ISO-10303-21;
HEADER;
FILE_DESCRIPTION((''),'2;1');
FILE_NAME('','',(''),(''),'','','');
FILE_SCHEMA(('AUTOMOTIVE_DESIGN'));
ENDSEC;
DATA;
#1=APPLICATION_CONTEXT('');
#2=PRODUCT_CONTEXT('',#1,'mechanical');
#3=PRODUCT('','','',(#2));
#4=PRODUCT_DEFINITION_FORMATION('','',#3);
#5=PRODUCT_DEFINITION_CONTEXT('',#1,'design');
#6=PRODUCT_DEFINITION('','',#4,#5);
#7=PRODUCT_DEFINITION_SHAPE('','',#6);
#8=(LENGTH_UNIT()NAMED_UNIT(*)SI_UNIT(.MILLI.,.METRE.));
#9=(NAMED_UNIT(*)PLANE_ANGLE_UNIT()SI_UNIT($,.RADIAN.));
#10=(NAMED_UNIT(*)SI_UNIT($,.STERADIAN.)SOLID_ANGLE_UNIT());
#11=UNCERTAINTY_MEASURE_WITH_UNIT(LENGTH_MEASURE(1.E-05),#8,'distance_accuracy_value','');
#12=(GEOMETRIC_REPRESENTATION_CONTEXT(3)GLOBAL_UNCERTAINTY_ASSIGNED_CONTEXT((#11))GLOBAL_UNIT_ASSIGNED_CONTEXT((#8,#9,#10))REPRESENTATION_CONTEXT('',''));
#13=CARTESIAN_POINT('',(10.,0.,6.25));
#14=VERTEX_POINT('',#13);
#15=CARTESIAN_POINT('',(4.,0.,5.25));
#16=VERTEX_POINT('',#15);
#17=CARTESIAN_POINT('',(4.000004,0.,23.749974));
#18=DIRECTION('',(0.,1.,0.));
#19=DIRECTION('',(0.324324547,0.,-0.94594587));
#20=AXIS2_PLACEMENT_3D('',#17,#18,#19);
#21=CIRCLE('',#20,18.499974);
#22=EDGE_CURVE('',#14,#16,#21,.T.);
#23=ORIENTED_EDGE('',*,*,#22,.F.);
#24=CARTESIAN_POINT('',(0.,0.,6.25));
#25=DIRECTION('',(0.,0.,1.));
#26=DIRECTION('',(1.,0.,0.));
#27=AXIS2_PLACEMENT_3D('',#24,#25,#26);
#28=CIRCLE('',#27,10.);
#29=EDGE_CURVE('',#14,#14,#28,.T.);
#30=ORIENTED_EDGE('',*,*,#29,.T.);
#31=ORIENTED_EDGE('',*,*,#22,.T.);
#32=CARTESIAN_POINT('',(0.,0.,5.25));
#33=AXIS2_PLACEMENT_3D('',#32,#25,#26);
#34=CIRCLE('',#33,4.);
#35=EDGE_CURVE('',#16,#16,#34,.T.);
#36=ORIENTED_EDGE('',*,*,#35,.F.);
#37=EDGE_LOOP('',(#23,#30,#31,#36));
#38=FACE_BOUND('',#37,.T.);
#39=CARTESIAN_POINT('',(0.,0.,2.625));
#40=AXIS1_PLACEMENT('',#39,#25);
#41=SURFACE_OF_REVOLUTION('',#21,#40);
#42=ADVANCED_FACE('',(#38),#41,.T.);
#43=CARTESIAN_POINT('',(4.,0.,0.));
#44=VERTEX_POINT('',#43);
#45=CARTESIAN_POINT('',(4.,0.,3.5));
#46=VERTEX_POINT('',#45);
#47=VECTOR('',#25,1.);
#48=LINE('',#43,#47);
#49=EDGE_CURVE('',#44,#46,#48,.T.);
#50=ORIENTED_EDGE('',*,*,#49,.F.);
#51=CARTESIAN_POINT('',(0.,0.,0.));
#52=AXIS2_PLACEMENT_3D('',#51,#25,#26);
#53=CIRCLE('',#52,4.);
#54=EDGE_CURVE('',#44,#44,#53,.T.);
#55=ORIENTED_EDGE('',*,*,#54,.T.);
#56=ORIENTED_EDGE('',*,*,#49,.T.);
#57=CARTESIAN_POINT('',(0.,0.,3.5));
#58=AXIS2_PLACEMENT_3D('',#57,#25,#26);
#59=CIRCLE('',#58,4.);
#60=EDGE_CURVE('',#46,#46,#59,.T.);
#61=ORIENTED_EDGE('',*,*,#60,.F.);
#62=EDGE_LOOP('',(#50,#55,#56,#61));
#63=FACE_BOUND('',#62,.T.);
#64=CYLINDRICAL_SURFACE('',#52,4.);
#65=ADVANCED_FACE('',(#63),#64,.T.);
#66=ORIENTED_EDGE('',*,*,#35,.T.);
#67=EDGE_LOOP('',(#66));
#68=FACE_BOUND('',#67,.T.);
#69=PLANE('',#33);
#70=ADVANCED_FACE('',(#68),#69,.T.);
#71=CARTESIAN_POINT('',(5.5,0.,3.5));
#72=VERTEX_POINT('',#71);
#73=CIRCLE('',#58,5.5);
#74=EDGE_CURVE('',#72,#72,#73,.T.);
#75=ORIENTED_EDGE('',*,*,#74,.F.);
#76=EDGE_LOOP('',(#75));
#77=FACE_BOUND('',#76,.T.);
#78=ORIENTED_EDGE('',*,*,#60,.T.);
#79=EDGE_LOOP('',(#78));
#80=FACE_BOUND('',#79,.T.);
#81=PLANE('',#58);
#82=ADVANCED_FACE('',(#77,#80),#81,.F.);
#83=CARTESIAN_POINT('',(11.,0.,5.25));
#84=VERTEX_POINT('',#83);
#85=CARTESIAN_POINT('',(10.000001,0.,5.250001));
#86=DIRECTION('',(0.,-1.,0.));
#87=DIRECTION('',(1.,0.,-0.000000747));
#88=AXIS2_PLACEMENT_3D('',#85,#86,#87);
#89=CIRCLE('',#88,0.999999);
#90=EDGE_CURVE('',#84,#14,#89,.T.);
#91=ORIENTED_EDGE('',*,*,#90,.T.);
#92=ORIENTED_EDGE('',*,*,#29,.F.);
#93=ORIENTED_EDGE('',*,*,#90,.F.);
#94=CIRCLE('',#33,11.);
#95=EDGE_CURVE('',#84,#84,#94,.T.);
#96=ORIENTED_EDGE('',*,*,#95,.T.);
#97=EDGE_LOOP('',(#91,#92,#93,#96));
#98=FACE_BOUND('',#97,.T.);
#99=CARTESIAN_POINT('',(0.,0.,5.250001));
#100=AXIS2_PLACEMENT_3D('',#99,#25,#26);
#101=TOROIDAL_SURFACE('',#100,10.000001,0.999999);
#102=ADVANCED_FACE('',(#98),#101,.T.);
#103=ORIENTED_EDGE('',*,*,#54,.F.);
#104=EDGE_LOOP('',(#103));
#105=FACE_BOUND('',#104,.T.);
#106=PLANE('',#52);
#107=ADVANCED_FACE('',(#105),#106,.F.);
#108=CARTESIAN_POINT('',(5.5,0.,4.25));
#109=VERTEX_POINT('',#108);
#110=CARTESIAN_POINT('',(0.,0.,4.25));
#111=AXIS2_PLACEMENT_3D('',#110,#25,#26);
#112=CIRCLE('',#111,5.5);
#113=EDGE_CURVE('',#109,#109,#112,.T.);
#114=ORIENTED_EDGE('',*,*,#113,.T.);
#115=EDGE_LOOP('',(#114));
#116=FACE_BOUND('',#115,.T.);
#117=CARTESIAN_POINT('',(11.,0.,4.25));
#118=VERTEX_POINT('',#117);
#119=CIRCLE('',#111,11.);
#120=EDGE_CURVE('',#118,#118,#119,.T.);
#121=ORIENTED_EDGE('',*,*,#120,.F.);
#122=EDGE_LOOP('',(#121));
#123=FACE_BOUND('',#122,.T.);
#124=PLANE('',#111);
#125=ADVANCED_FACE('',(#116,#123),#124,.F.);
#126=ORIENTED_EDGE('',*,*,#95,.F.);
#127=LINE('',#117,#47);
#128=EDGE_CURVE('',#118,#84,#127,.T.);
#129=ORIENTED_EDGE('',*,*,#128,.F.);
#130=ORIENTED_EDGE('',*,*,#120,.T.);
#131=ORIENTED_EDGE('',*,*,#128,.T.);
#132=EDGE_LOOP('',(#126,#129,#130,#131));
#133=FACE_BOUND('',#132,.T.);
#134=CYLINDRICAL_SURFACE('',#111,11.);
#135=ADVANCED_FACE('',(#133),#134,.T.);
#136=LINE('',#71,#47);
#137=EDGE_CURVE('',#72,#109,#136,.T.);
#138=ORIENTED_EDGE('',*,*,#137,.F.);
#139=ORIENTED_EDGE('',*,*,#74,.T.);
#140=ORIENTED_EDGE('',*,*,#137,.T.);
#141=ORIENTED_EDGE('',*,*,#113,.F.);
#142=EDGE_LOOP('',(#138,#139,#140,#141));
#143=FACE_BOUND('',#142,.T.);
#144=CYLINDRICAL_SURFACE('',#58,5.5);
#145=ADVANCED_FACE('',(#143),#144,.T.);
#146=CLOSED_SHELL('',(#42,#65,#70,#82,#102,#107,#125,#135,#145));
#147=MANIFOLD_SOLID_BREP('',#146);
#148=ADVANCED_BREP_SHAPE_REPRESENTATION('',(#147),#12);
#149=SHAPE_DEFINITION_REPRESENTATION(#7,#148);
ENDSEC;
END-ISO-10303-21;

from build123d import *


with BuildPart() as f1:
    # F0 (on Front) → F1 (revolve)
    with BuildSketch(Plane.XZ):
        with BuildLine():
            Line((0, 5.25), (0, 0))
            Line((0, 0), (4, 0))
            Line((4, 0), (4, 3.5))
            Line((4, 3.5), (5.5, 3.5))
            Line((5.5, 3.5), (5.5, 4.25))
            Line((5.5, 4.25), (11, 4.25))
            Line((11, 4.25), (11, 5.25))
            ThreePointArc((11, 5.25), (10.707107, 5.957107), (10, 6.25))
            ThreePointArc((10, 6.25), (7.041381, 5.501712), (4, 5.25))
            Line((4, 5.25), (0, 5.25))
        make_face()
    revolve(axis=Axis((0, 0, 2.625), (0, 0, 1)))


solid = f1.part
